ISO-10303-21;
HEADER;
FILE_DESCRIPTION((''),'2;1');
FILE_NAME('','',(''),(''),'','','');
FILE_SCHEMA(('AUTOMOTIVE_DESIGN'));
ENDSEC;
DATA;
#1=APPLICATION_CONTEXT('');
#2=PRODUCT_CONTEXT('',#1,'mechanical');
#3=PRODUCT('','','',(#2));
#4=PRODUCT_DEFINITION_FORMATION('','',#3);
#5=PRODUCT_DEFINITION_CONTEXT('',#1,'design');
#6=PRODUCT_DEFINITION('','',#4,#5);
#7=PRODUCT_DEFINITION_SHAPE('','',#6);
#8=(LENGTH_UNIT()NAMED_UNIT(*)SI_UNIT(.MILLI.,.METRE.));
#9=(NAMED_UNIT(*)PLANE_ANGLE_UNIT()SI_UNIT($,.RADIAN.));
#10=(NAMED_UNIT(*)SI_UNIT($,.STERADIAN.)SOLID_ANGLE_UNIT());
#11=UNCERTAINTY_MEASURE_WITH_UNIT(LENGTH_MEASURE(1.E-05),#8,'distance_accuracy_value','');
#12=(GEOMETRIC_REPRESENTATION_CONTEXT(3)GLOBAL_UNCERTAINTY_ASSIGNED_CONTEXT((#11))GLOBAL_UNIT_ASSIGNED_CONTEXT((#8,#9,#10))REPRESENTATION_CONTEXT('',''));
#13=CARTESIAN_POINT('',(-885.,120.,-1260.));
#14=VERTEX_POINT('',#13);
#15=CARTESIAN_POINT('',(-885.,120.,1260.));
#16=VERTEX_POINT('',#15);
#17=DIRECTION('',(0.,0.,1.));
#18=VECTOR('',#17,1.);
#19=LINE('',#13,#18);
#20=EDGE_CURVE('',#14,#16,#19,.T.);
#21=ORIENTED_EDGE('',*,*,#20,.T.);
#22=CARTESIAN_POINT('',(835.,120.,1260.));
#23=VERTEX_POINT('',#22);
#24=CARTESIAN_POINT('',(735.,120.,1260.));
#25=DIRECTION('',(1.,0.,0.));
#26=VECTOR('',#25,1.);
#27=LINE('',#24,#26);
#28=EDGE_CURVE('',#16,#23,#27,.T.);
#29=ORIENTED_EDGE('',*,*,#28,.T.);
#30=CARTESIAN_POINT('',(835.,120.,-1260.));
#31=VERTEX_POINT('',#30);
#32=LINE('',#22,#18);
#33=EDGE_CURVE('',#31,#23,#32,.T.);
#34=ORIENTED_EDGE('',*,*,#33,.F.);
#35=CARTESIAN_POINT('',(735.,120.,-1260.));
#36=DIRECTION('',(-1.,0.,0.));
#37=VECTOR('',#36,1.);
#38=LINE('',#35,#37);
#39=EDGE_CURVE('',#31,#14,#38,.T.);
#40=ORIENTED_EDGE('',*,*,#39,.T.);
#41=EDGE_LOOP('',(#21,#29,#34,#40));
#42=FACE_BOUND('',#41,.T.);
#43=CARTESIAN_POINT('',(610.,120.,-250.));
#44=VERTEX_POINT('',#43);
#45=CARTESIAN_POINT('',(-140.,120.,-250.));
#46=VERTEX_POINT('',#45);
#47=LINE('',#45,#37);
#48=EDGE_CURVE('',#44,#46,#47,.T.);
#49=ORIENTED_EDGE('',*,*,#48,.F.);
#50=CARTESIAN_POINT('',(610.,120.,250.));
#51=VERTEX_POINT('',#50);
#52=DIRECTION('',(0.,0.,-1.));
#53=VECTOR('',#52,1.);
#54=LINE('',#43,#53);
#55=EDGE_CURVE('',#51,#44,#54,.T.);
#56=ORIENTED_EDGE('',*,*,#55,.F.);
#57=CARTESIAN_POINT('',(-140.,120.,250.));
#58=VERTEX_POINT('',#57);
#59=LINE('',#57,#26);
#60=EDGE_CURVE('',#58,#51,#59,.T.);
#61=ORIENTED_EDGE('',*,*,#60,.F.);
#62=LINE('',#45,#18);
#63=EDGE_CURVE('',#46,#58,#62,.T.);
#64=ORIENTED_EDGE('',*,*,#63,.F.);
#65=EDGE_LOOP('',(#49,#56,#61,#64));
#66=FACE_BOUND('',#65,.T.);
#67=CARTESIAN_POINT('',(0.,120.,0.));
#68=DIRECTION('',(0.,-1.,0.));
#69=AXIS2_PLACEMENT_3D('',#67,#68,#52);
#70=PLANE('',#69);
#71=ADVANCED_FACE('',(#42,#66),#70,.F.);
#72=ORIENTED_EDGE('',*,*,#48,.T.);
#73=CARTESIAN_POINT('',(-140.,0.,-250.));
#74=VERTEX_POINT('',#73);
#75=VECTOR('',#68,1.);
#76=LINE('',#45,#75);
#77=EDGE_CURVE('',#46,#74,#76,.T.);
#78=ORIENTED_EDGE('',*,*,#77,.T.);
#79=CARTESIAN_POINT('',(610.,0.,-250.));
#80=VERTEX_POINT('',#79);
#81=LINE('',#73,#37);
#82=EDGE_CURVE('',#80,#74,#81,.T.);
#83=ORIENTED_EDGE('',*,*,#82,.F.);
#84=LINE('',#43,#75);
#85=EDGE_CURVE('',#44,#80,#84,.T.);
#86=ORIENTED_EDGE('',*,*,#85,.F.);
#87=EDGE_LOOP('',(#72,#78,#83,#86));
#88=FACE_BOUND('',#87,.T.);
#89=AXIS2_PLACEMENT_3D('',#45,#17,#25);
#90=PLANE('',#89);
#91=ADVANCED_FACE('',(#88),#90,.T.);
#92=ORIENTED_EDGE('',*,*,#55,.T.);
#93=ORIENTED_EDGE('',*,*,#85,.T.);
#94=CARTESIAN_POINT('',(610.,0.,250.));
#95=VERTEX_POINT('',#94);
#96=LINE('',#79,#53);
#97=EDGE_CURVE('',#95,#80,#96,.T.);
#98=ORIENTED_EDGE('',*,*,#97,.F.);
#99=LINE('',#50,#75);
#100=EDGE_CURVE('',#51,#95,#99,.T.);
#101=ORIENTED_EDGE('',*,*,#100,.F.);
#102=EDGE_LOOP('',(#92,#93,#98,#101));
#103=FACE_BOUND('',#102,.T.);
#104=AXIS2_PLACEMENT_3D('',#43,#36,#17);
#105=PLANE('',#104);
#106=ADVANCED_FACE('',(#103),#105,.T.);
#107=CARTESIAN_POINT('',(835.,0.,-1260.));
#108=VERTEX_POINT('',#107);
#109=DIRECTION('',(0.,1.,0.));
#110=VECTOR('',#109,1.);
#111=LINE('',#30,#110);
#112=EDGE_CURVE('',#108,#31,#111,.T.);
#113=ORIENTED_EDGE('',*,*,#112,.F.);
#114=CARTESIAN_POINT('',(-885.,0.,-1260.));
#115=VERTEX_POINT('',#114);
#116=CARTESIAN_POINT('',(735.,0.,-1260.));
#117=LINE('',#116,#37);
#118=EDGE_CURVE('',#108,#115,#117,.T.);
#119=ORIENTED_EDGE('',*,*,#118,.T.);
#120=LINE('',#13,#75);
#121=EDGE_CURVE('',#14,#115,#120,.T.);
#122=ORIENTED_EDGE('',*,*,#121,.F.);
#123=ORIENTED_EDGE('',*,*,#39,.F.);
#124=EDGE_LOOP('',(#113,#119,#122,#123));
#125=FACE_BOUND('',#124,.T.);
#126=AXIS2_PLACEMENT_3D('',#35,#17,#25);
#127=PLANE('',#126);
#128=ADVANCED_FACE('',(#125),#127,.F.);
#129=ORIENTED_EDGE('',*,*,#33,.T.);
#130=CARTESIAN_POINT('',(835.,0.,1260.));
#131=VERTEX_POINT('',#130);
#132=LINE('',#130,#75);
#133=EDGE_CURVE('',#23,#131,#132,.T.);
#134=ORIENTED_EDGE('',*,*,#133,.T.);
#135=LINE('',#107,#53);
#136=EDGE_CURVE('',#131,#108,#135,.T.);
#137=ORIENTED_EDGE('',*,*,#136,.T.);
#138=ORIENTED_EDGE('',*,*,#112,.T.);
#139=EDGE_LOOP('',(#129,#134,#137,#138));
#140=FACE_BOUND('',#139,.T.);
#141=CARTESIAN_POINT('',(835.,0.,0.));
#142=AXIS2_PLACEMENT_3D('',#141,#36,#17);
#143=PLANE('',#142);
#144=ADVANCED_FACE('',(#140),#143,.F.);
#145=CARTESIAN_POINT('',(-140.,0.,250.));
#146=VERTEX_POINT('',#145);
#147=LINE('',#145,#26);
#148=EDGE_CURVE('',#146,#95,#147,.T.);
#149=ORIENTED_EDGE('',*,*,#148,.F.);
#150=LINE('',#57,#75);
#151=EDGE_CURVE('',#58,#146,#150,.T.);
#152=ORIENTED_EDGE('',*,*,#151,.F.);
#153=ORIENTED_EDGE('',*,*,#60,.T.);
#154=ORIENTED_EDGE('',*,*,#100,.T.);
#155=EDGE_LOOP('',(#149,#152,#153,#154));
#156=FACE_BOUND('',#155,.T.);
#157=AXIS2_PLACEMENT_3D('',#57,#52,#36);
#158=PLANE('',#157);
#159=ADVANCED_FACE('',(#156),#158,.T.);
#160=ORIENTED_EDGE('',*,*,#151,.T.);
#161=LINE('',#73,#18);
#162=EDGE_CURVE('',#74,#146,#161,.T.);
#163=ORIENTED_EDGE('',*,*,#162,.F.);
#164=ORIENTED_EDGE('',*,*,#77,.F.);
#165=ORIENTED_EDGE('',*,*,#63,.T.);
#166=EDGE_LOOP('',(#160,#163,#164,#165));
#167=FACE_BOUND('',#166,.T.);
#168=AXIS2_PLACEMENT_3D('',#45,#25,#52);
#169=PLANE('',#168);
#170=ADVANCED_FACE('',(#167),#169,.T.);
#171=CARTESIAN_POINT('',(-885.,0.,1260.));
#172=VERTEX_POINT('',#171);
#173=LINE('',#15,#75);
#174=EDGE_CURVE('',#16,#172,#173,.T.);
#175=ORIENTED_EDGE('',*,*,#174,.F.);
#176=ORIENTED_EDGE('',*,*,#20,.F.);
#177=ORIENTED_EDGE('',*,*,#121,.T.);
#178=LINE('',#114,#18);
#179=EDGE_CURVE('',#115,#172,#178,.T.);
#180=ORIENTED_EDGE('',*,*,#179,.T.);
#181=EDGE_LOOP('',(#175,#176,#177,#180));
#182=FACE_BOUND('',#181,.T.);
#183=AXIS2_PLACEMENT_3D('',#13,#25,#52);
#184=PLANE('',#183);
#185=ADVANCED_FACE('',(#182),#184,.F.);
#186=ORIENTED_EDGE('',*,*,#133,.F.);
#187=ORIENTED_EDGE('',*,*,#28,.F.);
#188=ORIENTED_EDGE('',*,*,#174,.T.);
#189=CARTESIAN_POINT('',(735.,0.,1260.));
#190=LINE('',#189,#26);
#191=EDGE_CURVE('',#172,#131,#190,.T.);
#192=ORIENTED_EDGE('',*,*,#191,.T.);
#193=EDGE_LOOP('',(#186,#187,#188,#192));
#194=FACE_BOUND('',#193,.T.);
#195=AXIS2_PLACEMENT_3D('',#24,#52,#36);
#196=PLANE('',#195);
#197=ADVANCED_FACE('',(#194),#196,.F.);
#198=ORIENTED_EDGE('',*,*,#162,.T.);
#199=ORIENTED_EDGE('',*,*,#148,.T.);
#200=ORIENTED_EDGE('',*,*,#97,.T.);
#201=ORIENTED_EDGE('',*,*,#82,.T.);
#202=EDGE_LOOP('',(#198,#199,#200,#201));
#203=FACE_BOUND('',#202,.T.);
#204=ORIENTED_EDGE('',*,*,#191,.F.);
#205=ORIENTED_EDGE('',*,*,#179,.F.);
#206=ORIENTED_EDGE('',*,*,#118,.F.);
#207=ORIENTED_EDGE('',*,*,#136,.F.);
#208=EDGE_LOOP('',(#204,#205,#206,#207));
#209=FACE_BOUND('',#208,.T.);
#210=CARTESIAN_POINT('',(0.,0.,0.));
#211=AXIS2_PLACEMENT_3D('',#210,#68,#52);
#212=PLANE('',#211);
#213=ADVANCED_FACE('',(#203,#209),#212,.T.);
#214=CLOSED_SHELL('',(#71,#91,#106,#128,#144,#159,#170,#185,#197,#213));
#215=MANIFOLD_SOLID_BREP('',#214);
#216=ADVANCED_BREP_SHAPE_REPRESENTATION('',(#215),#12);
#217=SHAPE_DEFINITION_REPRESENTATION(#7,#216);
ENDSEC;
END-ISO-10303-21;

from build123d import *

# Parameters (mm, degrees)
CROQUIS1_W              = 1620
CROQUIS1_H              = 2520
CROQUIS1_W_2            = 750
CROQUIS1_H_2            = 500
SALIENTE_EXTRUIR1_DEPTH = 120
CROQUIS2_W              = 2520
CROQUIS2_H              = 120
SALIENTE_EXTRUIR2_DEPTH = 100


with BuildPart() as part:
    # Croquis1 → Saliente-Extruir1 (new body)
    with BuildSketch(Plane(origin=(0, 0, 0), x_dir=(1, 0, 0), z_dir=(0, 1, 0))):
        with Locations((-75, 0)):
            Rectangle(CROQUIS1_W, CROQUIS1_H)
        with Locations((235, 0)):
            Rectangle(CROQUIS1_W_2, CROQUIS1_H_2, mode=Mode.SUBTRACT)
    extrude(amount=SALIENTE_EXTRUIR1_DEPTH)

    # Croquis2 → Saliente-Extruir2 (add)
    with BuildSketch(Plane(origin=(735, 0, 0), x_dir=(0, 0, -1), z_dir=(1, 0, 0))):
        with Locations((0, 60)):
            Rectangle(CROQUIS2_W, CROQUIS2_H)
    extrude(amount=SALIENTE_EXTRUIR2_DEPTH)


solid = part.part
